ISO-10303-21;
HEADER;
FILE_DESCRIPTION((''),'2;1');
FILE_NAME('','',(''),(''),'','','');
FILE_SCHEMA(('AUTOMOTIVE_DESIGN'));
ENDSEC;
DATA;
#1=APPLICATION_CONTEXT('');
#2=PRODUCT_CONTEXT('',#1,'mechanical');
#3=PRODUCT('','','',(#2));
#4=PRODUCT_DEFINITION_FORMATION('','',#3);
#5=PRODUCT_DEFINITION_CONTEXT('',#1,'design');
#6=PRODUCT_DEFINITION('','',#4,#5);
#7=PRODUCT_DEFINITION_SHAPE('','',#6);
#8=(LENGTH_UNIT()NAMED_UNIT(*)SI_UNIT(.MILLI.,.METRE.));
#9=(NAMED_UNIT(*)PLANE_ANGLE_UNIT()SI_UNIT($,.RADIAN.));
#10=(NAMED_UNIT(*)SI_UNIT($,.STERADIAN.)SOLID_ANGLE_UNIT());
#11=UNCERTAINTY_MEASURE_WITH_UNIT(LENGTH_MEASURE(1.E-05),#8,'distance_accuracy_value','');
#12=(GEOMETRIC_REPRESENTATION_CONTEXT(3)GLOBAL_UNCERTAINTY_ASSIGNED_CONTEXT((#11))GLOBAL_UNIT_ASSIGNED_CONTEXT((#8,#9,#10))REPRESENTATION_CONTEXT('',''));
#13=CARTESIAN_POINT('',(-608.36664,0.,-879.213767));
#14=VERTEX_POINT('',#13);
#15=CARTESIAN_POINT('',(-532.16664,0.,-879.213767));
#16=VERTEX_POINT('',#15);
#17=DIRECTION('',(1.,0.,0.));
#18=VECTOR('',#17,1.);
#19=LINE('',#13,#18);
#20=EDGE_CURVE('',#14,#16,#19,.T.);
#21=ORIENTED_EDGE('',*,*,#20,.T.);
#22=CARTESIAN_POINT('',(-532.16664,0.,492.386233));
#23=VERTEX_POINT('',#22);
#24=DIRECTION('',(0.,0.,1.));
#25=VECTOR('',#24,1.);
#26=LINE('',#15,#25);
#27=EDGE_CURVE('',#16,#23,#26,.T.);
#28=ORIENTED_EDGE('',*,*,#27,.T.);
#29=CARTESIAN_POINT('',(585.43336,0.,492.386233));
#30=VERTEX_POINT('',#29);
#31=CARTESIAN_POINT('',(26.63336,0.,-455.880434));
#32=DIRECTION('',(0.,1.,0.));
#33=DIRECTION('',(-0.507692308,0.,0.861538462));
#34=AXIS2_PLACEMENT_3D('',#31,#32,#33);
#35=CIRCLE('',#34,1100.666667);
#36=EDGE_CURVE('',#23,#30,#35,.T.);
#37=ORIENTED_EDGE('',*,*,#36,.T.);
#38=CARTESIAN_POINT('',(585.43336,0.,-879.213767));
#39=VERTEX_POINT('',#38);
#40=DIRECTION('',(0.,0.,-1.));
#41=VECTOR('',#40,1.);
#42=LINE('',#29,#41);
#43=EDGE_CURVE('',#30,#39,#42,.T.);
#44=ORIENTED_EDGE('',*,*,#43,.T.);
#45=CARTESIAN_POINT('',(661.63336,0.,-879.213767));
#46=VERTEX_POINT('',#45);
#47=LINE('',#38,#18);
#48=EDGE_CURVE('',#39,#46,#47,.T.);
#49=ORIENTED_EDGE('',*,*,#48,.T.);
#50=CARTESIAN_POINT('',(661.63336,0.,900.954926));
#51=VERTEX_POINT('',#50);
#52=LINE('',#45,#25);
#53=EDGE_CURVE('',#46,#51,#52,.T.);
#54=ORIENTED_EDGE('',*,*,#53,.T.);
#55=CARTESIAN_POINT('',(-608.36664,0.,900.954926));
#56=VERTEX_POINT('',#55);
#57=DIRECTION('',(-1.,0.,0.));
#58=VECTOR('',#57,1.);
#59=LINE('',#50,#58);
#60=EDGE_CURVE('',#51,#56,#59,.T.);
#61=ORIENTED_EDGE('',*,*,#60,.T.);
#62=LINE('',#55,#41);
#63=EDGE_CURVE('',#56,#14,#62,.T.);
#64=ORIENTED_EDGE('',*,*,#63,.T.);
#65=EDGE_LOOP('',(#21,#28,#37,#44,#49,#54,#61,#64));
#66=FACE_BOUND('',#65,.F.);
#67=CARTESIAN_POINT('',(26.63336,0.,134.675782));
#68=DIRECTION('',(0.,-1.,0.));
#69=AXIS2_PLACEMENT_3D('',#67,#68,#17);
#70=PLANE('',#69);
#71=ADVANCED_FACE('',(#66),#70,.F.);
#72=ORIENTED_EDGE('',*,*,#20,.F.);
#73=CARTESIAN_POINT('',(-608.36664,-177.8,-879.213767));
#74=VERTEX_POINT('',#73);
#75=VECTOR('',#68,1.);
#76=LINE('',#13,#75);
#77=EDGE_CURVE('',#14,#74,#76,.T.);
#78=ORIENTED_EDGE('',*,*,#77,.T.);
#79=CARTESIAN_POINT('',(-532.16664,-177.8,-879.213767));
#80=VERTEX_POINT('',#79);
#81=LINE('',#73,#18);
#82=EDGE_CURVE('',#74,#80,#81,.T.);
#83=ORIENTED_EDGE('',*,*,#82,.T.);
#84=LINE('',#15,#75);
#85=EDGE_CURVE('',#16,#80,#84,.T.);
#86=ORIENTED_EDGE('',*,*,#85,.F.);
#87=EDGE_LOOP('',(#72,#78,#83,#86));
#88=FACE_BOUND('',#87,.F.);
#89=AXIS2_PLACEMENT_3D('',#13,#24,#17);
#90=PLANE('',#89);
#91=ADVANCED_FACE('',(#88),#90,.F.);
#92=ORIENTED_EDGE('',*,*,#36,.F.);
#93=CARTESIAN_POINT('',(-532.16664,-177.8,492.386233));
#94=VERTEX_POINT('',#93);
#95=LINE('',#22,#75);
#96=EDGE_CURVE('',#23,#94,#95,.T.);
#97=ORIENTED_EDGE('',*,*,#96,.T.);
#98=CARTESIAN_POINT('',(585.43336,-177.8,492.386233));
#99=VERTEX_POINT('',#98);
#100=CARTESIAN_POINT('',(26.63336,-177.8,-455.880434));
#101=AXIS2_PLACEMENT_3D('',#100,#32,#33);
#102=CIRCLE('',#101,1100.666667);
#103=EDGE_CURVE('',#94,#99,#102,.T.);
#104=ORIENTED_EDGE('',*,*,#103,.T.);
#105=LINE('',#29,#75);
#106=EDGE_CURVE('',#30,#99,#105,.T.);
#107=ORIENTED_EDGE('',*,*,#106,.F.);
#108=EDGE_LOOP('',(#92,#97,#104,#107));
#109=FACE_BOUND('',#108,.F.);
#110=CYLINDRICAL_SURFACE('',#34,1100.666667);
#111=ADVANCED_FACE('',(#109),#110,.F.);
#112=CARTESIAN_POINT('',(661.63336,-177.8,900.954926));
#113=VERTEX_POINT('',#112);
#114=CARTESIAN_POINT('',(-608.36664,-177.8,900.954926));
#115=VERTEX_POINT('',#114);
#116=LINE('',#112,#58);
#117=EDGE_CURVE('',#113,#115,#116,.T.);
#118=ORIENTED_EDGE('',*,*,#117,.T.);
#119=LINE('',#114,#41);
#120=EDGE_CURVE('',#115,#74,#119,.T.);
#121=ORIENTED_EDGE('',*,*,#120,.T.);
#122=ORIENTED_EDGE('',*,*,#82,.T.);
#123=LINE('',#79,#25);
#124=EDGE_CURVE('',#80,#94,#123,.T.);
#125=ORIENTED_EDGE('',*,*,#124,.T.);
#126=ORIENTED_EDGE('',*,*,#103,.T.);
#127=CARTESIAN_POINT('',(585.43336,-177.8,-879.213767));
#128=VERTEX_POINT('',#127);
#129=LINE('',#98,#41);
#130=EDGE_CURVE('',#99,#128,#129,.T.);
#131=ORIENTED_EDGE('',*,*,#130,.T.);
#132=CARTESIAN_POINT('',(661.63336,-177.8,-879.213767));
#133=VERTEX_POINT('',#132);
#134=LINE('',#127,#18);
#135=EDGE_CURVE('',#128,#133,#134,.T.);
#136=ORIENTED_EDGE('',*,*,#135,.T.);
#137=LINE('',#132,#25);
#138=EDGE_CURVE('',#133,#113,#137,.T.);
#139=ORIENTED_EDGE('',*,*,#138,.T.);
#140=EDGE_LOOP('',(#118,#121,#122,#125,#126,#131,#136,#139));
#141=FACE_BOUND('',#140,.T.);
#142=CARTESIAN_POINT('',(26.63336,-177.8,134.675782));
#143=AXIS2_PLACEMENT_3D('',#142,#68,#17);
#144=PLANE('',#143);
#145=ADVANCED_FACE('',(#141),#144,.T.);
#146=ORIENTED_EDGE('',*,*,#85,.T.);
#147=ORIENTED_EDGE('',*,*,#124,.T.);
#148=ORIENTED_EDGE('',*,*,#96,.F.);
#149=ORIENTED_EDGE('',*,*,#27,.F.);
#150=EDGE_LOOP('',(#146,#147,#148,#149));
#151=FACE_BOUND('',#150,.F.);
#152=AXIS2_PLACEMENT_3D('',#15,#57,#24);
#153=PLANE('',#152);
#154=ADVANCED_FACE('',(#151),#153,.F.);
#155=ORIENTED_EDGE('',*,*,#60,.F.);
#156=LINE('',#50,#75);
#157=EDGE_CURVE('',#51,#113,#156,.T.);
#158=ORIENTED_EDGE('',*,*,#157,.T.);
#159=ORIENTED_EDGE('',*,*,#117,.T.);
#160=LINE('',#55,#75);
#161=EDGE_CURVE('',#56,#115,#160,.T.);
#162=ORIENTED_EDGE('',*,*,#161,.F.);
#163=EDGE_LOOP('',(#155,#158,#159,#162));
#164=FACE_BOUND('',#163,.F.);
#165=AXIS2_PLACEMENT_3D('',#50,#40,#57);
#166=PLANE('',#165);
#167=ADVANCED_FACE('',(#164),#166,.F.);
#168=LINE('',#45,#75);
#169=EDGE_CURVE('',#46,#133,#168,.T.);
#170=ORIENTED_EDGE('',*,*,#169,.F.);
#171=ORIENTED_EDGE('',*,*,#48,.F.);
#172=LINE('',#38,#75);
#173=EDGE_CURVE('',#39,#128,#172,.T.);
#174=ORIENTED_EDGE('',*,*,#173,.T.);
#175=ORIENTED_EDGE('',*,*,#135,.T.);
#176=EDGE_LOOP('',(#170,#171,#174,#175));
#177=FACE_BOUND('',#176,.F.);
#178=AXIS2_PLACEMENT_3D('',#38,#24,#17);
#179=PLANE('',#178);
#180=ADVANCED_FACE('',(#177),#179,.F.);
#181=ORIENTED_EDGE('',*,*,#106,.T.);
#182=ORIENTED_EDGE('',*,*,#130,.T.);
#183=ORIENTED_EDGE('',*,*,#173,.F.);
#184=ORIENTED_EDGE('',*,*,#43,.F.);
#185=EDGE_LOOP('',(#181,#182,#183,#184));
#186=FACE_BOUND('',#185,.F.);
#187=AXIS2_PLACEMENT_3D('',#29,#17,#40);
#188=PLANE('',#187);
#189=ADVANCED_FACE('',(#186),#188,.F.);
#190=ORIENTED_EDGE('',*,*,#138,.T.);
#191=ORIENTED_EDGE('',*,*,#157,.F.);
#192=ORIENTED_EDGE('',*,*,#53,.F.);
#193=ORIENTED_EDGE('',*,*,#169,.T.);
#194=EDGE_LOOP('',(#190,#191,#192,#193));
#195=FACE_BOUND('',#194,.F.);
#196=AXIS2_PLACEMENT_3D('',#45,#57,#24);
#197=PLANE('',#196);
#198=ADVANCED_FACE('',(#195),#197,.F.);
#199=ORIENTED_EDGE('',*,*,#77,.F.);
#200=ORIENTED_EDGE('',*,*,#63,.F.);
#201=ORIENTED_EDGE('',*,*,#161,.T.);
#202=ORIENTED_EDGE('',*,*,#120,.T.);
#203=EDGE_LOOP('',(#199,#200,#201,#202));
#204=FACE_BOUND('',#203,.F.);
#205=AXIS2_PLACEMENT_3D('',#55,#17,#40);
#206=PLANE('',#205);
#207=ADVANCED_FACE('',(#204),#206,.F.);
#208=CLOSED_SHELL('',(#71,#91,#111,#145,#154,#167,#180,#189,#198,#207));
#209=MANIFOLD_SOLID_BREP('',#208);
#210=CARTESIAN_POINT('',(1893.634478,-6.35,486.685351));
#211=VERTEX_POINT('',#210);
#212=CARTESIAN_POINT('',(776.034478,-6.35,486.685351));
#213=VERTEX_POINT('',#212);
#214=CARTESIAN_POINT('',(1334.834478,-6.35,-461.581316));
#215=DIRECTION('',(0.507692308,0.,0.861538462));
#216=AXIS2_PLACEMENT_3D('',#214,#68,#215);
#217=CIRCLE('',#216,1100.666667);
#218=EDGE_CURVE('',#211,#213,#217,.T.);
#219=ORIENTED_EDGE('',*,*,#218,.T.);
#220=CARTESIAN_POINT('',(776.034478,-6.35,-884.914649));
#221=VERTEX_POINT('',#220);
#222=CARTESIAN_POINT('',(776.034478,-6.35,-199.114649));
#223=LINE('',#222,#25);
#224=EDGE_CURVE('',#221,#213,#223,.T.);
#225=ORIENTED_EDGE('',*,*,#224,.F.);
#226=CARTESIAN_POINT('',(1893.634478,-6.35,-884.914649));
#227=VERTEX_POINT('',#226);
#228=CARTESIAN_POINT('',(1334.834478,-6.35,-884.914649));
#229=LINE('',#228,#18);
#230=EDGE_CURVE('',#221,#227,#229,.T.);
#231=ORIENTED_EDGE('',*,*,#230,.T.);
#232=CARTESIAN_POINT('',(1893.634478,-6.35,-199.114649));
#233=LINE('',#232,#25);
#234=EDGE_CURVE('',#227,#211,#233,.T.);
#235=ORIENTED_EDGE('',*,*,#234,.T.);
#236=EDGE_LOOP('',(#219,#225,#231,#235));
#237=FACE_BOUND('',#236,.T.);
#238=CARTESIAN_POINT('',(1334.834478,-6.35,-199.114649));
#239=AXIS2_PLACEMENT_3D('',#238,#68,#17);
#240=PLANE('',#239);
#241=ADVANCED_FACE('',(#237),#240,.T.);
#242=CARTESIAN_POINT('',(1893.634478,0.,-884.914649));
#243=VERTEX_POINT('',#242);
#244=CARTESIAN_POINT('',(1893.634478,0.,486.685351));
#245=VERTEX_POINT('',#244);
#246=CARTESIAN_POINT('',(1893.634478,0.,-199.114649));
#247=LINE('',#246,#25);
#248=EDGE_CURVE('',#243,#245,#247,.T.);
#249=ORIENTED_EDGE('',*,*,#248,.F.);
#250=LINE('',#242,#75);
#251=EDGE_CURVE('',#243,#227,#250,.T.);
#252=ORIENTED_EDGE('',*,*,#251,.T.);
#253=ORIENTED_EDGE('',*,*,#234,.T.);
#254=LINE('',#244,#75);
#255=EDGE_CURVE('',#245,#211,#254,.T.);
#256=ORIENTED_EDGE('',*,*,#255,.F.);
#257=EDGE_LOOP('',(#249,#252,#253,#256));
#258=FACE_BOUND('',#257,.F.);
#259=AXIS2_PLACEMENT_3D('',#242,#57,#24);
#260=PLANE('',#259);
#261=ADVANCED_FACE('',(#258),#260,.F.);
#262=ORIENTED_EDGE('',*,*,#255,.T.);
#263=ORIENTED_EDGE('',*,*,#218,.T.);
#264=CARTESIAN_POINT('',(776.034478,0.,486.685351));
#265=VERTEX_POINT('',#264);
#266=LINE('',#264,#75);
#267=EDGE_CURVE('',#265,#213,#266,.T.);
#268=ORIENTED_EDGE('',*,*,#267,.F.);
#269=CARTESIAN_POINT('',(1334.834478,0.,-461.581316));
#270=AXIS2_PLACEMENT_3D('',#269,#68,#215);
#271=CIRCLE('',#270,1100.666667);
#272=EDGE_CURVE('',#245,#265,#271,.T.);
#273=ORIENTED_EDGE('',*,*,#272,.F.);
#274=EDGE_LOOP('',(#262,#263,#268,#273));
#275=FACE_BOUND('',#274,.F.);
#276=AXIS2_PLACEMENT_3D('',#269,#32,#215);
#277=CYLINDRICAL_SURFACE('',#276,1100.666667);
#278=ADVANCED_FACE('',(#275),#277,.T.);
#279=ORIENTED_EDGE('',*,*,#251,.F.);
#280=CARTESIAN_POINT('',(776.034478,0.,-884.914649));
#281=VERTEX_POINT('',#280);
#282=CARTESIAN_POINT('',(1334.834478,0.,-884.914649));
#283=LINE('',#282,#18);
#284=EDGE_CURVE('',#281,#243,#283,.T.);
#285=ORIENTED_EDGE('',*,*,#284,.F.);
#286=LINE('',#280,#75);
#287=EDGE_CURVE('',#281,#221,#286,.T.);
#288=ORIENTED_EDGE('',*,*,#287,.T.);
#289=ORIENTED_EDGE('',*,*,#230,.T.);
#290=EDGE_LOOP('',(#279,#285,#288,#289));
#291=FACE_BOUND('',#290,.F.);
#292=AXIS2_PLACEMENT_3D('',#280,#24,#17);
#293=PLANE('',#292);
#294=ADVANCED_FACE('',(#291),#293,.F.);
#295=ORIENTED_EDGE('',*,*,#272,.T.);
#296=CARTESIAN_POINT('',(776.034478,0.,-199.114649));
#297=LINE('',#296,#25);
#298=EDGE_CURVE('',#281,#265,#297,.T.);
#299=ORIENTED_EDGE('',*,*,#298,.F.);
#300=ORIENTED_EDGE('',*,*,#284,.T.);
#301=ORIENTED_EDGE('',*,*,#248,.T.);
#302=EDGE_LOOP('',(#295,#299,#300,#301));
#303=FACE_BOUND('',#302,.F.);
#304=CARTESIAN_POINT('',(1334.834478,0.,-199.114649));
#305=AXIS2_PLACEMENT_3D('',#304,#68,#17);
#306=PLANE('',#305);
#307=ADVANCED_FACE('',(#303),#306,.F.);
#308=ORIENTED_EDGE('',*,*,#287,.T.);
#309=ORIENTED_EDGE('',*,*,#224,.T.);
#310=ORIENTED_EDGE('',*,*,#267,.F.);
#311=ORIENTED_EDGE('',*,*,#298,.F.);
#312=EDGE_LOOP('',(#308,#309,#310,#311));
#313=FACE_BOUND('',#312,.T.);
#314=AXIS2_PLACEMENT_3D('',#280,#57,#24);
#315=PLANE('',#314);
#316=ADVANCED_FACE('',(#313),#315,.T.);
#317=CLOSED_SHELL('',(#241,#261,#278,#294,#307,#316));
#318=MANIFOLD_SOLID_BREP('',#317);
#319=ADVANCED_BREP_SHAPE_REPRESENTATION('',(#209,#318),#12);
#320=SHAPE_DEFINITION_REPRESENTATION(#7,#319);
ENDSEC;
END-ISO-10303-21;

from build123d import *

# Parameters (mm, degrees)
F1_DEPTH = 177.8
F2_W     = 1117.6
F2_H     = 1371.6
F3_DEPTH = 6.35


with BuildPart() as f1:
    # F0 (on Front) → F1 (new body)
    with BuildSketch(Plane.XZ):
        with BuildLine():
            Line((-608.36664, -879.213767), (-532.16664, -879.213767))
            Line((-532.16664, -879.213767), (-532.16664, 492.386233))
            ThreePointArc((-532.16664, 492.386233), (26.63336, 644.786233), (585.43336, 492.386233))
            Line((585.43336, 492.386233), (585.43336, -879.213767))
            Line((585.43336, -879.213767), (661.63336, -879.213767))
            Line((661.63336, -879.213767), (661.63336, 900.954926))
            Line((661.63336, 900.954926), (-608.36664, 900.954926))
            Line((-608.36664, 900.954926), (-608.36664, -879.213767))
        make_face()
    extrude(amount=F1_DEPTH)


with BuildPart() as f3:
    # F2 (on face) → F3 (new body)
    with BuildSketch(Plane.XZ):
        with Locations((1334.834478, -199.114649)):
            Rectangle(F2_W, F2_H)
        with BuildLine():
            ThreePointArc((1893.634478, 486.685351), (1334.834478, 639.085351), (776.034478, 486.685351))
            Line((776.034478, 486.685351), (1893.634478, 486.685351))
        make_face()
    extrude(amount=F3_DEPTH)


solid = Compound([f1.part, f3.part])
